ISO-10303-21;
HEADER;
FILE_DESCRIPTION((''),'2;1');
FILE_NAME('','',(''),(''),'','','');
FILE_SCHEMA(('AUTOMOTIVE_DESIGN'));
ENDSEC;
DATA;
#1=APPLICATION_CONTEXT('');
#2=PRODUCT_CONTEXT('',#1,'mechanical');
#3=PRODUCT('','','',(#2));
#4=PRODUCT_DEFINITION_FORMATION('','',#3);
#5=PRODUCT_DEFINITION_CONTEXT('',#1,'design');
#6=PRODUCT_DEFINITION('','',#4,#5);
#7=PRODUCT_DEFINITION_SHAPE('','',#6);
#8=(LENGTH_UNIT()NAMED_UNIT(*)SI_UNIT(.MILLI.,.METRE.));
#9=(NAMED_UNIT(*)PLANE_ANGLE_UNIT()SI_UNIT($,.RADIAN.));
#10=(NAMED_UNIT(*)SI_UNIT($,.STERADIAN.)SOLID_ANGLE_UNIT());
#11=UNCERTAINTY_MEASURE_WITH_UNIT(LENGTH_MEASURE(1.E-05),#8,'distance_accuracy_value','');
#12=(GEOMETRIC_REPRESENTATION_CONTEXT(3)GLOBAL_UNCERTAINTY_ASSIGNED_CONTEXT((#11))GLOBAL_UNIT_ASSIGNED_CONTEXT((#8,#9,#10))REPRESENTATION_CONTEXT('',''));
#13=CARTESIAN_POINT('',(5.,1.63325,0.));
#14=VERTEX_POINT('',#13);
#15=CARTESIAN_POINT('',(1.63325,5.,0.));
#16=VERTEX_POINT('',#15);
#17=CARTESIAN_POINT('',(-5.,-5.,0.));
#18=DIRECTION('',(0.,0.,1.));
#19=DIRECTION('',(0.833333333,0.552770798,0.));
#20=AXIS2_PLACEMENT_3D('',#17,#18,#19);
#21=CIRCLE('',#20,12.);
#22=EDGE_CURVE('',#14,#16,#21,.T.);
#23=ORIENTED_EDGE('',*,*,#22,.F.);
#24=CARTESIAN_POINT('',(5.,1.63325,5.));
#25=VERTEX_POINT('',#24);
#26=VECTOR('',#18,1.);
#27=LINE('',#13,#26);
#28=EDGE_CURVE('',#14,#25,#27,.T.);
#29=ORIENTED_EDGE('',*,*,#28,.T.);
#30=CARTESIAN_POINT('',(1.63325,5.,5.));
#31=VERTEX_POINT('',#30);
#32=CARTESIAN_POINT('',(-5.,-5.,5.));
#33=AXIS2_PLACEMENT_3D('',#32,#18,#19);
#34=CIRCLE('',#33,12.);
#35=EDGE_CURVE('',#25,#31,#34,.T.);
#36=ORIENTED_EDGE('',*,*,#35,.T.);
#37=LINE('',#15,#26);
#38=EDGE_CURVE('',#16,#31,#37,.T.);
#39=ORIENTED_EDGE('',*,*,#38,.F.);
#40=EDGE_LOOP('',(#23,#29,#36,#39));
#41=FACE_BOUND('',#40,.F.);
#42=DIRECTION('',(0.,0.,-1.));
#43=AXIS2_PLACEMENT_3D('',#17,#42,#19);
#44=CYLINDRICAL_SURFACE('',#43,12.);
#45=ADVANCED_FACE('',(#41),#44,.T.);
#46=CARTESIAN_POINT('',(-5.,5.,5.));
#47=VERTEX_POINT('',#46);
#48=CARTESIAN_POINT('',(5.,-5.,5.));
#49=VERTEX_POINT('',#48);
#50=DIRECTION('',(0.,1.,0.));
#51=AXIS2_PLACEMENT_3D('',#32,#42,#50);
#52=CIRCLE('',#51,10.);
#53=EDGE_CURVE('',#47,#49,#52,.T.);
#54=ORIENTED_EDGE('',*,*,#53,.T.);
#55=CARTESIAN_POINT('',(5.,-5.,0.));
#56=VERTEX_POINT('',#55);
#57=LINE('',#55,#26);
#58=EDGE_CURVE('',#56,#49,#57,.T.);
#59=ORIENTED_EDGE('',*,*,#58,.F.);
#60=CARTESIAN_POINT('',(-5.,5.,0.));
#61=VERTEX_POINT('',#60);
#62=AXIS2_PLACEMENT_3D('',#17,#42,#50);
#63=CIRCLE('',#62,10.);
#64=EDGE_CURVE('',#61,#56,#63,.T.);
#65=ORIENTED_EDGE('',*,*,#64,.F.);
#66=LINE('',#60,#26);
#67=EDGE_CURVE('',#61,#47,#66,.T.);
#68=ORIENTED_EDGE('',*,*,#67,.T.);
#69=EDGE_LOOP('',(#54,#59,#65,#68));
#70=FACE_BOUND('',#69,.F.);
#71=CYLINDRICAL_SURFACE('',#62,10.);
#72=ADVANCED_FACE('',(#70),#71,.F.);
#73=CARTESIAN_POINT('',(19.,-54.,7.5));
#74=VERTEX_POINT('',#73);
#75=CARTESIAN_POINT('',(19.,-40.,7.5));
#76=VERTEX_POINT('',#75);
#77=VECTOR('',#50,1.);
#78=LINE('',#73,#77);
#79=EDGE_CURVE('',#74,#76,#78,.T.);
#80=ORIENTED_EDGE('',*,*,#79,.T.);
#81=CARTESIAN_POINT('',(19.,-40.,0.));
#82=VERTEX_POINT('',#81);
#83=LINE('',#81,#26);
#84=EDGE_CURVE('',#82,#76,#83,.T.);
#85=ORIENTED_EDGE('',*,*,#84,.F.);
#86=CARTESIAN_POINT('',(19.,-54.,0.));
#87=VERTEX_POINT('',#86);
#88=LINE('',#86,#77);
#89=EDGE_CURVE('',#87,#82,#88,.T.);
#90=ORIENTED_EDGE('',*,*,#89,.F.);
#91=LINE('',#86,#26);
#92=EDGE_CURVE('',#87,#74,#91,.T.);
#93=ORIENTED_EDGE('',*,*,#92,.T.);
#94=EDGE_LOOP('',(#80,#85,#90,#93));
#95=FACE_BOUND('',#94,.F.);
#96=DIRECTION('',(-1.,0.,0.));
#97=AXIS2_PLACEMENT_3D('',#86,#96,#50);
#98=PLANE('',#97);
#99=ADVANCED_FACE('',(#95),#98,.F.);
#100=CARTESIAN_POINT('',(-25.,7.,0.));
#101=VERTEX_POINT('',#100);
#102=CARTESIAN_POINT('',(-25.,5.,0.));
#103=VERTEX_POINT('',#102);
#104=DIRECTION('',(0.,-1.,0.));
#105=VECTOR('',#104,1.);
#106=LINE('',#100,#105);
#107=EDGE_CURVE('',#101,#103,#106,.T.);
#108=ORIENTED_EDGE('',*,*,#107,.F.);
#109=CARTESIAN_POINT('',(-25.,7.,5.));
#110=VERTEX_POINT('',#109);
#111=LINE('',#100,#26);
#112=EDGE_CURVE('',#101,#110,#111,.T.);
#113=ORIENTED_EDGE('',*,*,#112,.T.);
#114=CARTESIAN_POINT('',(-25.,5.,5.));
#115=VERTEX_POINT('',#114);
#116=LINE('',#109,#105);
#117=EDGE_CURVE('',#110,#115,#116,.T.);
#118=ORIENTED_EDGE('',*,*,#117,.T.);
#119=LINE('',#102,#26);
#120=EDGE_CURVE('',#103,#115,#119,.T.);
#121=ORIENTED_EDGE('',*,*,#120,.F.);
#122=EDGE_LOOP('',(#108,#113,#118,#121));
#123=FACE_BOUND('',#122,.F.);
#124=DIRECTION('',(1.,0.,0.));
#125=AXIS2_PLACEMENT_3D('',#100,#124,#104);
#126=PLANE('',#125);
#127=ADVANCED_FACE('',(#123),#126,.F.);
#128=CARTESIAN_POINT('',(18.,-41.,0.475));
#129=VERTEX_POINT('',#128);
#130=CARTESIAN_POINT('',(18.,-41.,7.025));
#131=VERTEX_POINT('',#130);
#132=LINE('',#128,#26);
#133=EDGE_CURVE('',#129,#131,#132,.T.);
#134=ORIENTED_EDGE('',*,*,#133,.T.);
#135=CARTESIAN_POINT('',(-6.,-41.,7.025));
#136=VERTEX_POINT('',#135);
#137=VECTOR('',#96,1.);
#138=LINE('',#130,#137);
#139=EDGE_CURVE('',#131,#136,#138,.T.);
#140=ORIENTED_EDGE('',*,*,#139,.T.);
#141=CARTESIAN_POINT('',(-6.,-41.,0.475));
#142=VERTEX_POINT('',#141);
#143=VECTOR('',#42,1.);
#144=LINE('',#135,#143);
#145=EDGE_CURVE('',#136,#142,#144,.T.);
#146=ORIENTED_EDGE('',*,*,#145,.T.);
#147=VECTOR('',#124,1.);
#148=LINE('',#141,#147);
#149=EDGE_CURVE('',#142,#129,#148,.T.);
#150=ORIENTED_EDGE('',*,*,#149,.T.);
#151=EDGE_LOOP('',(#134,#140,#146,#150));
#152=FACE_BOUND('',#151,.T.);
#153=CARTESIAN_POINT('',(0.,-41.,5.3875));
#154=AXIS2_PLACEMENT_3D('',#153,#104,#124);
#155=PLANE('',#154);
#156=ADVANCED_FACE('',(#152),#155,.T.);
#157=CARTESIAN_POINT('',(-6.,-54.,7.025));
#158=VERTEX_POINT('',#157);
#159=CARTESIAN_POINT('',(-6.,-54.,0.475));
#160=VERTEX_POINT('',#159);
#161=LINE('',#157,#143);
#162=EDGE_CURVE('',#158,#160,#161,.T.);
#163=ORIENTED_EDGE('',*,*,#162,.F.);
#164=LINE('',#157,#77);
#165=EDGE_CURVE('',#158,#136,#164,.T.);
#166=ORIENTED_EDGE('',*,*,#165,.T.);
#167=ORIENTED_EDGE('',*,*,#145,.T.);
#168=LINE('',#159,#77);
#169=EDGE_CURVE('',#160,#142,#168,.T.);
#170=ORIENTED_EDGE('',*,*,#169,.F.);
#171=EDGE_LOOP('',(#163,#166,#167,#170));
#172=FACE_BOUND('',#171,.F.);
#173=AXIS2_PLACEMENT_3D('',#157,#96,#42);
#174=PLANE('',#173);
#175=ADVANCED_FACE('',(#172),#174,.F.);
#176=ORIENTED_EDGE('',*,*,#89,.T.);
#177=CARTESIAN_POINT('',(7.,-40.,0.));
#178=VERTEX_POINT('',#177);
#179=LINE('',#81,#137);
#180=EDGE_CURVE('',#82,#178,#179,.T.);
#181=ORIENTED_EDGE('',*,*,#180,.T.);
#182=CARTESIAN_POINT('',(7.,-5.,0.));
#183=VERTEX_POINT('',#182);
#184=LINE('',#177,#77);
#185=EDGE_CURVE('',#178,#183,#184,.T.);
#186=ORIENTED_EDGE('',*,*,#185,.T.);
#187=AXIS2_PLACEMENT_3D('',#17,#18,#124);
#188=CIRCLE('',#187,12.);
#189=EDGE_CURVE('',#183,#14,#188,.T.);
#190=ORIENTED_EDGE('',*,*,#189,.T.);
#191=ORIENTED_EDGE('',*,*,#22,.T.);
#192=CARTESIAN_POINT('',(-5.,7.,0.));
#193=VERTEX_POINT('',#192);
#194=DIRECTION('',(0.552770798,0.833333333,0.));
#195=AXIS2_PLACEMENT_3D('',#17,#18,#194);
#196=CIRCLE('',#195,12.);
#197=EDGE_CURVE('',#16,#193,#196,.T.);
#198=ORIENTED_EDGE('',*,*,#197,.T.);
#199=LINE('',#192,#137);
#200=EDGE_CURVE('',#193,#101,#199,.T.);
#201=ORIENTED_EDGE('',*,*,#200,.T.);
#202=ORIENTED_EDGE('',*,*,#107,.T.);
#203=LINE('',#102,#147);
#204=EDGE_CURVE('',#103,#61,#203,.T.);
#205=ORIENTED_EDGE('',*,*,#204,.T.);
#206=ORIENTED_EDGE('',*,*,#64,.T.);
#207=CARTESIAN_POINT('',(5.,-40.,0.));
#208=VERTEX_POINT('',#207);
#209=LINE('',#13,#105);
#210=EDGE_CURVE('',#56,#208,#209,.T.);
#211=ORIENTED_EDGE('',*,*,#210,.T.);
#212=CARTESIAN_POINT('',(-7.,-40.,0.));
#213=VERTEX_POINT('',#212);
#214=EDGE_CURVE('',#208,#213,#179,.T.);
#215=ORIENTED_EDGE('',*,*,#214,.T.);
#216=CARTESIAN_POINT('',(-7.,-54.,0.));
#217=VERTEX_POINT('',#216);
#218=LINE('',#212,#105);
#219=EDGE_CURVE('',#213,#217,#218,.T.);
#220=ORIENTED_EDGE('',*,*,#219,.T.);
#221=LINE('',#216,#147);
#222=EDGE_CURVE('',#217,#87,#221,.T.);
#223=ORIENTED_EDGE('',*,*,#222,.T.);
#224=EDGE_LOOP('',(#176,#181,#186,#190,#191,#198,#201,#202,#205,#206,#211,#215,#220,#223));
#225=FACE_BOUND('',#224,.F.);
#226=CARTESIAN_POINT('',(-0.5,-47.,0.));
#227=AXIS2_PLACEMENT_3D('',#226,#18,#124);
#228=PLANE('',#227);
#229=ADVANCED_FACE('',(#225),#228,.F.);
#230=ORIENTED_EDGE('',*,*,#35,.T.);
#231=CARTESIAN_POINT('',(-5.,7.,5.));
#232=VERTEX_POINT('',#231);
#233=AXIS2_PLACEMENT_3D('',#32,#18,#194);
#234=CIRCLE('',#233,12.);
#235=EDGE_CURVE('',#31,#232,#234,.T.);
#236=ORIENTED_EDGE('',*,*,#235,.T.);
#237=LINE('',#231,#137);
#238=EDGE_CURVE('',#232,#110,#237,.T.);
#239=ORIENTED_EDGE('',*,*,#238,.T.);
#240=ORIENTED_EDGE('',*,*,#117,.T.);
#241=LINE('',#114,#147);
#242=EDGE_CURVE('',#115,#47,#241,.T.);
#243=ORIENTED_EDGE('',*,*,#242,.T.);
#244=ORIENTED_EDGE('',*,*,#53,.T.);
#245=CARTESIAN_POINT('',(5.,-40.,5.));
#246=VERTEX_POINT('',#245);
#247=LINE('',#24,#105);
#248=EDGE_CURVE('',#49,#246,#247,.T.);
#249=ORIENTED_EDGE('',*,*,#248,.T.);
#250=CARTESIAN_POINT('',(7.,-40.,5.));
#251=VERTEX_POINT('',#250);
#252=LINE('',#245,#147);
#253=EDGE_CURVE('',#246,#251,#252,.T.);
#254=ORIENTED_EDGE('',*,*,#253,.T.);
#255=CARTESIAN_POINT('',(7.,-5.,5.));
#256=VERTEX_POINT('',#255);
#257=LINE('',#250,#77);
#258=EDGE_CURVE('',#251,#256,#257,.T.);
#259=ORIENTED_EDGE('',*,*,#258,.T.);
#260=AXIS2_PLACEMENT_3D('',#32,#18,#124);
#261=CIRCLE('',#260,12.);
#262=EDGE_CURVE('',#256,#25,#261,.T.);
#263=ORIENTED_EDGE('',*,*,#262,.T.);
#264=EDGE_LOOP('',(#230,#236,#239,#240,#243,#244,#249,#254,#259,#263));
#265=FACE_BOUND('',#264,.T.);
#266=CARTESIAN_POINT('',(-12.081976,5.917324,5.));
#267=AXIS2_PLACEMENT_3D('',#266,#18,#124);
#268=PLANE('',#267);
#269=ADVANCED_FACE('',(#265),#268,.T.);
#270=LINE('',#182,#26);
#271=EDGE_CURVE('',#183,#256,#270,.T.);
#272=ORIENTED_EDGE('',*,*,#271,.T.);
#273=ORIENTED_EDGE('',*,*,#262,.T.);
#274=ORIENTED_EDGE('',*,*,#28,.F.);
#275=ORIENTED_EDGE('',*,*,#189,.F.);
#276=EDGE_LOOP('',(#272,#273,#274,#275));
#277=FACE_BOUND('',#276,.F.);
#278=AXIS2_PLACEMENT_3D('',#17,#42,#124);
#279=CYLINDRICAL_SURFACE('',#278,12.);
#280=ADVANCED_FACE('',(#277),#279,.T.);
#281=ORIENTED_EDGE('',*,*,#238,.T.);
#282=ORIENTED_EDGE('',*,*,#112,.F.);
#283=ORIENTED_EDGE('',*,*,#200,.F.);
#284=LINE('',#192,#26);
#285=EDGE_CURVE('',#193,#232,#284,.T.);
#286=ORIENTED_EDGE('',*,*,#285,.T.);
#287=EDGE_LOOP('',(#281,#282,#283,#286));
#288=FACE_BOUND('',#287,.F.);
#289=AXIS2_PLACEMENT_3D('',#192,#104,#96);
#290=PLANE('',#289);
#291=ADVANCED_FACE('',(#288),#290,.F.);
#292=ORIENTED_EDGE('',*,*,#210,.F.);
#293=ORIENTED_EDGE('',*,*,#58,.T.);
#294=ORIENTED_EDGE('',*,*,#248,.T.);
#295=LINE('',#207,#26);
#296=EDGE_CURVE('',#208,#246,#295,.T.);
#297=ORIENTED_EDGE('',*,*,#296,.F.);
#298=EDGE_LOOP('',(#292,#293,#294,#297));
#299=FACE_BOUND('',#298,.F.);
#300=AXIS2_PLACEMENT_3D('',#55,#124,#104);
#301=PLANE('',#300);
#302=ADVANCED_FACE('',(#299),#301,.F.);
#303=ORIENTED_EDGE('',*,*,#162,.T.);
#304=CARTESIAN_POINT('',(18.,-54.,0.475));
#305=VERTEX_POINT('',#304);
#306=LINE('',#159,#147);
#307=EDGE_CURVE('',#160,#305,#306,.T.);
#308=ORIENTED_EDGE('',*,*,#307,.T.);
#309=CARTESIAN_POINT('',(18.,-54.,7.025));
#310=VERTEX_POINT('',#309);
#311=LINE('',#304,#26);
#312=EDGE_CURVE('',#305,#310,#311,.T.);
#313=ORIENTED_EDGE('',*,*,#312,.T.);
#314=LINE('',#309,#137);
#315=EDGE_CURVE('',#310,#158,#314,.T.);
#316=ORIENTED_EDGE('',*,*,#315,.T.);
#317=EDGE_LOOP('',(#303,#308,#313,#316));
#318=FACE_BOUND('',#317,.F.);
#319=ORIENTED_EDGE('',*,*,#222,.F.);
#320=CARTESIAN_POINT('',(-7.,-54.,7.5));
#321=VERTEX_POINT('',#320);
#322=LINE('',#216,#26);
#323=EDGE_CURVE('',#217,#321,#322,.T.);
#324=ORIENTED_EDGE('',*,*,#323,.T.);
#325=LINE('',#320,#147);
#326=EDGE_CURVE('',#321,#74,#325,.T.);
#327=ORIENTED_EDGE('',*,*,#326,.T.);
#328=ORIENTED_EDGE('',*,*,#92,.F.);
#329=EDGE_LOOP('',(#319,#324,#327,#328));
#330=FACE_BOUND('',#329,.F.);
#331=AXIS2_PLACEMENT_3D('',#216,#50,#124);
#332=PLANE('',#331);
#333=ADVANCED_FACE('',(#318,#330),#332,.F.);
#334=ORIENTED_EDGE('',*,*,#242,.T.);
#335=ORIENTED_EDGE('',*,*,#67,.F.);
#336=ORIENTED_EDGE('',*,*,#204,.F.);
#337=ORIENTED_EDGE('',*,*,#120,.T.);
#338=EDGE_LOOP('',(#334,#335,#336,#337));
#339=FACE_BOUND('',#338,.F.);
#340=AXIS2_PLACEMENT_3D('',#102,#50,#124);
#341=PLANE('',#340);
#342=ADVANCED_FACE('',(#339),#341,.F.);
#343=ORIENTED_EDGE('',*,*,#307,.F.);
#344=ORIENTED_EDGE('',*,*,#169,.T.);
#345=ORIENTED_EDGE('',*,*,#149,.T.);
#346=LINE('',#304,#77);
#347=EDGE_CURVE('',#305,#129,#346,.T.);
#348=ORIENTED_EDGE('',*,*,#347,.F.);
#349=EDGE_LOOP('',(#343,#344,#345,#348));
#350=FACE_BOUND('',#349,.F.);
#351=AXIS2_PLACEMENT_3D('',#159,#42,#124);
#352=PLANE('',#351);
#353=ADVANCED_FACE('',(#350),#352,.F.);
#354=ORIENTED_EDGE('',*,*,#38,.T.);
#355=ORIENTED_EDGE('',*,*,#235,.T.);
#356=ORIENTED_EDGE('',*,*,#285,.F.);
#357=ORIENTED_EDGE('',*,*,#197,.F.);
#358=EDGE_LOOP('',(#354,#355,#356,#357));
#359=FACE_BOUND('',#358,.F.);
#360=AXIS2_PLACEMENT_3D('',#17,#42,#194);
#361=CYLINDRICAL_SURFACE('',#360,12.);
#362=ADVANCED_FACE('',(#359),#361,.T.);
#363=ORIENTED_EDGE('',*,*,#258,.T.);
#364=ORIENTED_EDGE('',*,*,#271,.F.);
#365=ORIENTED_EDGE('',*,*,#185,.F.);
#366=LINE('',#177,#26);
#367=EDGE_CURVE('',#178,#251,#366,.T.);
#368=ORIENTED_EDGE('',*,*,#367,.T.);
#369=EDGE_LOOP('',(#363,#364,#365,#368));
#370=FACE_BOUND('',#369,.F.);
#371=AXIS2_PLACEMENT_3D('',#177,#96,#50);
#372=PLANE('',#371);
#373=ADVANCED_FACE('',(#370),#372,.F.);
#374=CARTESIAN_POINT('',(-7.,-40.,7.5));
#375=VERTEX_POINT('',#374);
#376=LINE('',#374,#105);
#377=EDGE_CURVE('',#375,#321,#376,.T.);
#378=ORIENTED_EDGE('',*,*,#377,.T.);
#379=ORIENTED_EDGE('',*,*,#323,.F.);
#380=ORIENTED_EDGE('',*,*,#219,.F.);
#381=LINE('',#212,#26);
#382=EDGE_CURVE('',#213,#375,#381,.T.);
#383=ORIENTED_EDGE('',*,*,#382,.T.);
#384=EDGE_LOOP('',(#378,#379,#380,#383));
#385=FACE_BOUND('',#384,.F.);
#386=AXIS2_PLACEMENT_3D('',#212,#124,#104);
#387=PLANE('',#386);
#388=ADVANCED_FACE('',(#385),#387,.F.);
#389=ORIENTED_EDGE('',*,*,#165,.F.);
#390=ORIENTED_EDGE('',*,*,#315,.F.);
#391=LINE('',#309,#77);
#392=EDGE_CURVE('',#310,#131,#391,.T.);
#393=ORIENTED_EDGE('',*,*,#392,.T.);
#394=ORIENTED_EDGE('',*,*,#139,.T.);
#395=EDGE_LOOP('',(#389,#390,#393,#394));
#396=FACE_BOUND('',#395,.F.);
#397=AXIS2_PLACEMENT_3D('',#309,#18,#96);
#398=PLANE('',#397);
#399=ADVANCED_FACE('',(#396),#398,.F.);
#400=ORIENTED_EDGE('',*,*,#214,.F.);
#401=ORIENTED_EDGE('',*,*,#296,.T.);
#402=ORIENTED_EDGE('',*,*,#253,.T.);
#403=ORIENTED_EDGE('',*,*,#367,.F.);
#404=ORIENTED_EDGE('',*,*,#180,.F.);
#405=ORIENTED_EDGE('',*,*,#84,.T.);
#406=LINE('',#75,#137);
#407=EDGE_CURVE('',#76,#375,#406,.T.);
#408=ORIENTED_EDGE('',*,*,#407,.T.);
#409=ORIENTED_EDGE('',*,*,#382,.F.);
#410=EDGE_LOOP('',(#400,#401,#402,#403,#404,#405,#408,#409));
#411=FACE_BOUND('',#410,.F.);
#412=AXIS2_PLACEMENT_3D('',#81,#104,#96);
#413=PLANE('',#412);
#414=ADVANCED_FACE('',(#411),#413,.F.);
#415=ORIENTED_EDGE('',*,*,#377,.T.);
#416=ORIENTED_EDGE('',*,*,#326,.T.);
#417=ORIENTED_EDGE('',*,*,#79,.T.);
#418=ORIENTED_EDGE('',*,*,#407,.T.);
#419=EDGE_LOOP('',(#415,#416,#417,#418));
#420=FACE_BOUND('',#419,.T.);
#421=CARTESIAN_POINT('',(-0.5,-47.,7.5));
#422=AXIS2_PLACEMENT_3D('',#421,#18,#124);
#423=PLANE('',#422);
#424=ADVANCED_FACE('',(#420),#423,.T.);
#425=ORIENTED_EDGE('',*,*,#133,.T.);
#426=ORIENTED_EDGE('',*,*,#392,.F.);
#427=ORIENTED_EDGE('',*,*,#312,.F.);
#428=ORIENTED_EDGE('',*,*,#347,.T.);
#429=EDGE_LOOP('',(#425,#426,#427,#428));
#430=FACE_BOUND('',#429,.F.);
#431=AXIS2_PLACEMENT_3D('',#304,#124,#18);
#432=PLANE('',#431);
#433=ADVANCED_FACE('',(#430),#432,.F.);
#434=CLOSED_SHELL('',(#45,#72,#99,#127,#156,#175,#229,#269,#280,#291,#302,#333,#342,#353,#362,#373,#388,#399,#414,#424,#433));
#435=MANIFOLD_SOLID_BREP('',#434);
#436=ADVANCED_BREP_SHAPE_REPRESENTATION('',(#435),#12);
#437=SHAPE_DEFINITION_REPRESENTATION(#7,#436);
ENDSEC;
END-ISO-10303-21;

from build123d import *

# Parameters (mm, degrees)
F1_DEPTH = 5
F2_DEPTH = 7.5
F3_W     = 12
F3_H     = 3.275
F4_DEPTH = 13


with BuildPart() as f1:
    # F0 (on Top) → F1 (new body)
    with BuildSketch(Plane.XY):
        with BuildLine():
            Line((-25, 5), (-5, 5))
            Line((-5, 5), (1.6332495807, 5))
            ThreePointArc((1.6332495807, 5), (-1.5358983849, 6.4891252931), (-5, 7))
            Line((-5, 7), (-25, 7))
            Line((-25, 7), (-25, 6))
            Line((-25, 6), (-25, 5))
        make_face()
        with BuildLine():
            Line((1.6332495807, 5), (-5, 5))
            ThreePointArc((-5, 5), (2.0710678119, 2.0710678119), (5, -5))
            Line((5, -5), (5, 1.6332495807))
            ThreePointArc((5, 1.6332495807), (3.4852813742, 3.4852813742), (1.6332495807, 5))
        make_face()
        with BuildLine():
            Line((5, 1.6332495807), (5, -5))
            Line((5, -5), (5, -40))
            Line((5, -40), (6, -40))
            Line((6, -40), (7, -40))
            Line((7, -40), (7, -5))
            ThreePointArc((7, -5), (6.4891252931, -1.5358983849), (5, 1.6332495807))
        make_face()
    extrude(amount=F1_DEPTH)

    # F0 (on Top) → F2 (join)
    with BuildSketch(Plane.XY):
        Polygon((6, -40), (5, -40), (-7, -40), (-7, -54), (6, -54), align=None)
        Polygon((7, -40), (6, -40), (6, -54), (19, -54), (19, -40), align=None)
    extrude(amount=F2_DEPTH)

    # F3 (on face) → F4 (cut)
    with BuildSketch(Plane.XZ.offset(54)):
        with Locations((0, 5.3875)):
            Rectangle(F3_W, F3_H)
        with Locations((12, 5.3875)):
            Rectangle(F3_W, F3_H)
        with Locations((12, 2.1125)):
            Rectangle(F3_W, F3_H)
        with Locations((0, 2.1125)):
            Rectangle(F3_W, F3_H)
    extrude(amount=-F4_DEPTH, mode=Mode.SUBTRACT)


solid = f1.part
